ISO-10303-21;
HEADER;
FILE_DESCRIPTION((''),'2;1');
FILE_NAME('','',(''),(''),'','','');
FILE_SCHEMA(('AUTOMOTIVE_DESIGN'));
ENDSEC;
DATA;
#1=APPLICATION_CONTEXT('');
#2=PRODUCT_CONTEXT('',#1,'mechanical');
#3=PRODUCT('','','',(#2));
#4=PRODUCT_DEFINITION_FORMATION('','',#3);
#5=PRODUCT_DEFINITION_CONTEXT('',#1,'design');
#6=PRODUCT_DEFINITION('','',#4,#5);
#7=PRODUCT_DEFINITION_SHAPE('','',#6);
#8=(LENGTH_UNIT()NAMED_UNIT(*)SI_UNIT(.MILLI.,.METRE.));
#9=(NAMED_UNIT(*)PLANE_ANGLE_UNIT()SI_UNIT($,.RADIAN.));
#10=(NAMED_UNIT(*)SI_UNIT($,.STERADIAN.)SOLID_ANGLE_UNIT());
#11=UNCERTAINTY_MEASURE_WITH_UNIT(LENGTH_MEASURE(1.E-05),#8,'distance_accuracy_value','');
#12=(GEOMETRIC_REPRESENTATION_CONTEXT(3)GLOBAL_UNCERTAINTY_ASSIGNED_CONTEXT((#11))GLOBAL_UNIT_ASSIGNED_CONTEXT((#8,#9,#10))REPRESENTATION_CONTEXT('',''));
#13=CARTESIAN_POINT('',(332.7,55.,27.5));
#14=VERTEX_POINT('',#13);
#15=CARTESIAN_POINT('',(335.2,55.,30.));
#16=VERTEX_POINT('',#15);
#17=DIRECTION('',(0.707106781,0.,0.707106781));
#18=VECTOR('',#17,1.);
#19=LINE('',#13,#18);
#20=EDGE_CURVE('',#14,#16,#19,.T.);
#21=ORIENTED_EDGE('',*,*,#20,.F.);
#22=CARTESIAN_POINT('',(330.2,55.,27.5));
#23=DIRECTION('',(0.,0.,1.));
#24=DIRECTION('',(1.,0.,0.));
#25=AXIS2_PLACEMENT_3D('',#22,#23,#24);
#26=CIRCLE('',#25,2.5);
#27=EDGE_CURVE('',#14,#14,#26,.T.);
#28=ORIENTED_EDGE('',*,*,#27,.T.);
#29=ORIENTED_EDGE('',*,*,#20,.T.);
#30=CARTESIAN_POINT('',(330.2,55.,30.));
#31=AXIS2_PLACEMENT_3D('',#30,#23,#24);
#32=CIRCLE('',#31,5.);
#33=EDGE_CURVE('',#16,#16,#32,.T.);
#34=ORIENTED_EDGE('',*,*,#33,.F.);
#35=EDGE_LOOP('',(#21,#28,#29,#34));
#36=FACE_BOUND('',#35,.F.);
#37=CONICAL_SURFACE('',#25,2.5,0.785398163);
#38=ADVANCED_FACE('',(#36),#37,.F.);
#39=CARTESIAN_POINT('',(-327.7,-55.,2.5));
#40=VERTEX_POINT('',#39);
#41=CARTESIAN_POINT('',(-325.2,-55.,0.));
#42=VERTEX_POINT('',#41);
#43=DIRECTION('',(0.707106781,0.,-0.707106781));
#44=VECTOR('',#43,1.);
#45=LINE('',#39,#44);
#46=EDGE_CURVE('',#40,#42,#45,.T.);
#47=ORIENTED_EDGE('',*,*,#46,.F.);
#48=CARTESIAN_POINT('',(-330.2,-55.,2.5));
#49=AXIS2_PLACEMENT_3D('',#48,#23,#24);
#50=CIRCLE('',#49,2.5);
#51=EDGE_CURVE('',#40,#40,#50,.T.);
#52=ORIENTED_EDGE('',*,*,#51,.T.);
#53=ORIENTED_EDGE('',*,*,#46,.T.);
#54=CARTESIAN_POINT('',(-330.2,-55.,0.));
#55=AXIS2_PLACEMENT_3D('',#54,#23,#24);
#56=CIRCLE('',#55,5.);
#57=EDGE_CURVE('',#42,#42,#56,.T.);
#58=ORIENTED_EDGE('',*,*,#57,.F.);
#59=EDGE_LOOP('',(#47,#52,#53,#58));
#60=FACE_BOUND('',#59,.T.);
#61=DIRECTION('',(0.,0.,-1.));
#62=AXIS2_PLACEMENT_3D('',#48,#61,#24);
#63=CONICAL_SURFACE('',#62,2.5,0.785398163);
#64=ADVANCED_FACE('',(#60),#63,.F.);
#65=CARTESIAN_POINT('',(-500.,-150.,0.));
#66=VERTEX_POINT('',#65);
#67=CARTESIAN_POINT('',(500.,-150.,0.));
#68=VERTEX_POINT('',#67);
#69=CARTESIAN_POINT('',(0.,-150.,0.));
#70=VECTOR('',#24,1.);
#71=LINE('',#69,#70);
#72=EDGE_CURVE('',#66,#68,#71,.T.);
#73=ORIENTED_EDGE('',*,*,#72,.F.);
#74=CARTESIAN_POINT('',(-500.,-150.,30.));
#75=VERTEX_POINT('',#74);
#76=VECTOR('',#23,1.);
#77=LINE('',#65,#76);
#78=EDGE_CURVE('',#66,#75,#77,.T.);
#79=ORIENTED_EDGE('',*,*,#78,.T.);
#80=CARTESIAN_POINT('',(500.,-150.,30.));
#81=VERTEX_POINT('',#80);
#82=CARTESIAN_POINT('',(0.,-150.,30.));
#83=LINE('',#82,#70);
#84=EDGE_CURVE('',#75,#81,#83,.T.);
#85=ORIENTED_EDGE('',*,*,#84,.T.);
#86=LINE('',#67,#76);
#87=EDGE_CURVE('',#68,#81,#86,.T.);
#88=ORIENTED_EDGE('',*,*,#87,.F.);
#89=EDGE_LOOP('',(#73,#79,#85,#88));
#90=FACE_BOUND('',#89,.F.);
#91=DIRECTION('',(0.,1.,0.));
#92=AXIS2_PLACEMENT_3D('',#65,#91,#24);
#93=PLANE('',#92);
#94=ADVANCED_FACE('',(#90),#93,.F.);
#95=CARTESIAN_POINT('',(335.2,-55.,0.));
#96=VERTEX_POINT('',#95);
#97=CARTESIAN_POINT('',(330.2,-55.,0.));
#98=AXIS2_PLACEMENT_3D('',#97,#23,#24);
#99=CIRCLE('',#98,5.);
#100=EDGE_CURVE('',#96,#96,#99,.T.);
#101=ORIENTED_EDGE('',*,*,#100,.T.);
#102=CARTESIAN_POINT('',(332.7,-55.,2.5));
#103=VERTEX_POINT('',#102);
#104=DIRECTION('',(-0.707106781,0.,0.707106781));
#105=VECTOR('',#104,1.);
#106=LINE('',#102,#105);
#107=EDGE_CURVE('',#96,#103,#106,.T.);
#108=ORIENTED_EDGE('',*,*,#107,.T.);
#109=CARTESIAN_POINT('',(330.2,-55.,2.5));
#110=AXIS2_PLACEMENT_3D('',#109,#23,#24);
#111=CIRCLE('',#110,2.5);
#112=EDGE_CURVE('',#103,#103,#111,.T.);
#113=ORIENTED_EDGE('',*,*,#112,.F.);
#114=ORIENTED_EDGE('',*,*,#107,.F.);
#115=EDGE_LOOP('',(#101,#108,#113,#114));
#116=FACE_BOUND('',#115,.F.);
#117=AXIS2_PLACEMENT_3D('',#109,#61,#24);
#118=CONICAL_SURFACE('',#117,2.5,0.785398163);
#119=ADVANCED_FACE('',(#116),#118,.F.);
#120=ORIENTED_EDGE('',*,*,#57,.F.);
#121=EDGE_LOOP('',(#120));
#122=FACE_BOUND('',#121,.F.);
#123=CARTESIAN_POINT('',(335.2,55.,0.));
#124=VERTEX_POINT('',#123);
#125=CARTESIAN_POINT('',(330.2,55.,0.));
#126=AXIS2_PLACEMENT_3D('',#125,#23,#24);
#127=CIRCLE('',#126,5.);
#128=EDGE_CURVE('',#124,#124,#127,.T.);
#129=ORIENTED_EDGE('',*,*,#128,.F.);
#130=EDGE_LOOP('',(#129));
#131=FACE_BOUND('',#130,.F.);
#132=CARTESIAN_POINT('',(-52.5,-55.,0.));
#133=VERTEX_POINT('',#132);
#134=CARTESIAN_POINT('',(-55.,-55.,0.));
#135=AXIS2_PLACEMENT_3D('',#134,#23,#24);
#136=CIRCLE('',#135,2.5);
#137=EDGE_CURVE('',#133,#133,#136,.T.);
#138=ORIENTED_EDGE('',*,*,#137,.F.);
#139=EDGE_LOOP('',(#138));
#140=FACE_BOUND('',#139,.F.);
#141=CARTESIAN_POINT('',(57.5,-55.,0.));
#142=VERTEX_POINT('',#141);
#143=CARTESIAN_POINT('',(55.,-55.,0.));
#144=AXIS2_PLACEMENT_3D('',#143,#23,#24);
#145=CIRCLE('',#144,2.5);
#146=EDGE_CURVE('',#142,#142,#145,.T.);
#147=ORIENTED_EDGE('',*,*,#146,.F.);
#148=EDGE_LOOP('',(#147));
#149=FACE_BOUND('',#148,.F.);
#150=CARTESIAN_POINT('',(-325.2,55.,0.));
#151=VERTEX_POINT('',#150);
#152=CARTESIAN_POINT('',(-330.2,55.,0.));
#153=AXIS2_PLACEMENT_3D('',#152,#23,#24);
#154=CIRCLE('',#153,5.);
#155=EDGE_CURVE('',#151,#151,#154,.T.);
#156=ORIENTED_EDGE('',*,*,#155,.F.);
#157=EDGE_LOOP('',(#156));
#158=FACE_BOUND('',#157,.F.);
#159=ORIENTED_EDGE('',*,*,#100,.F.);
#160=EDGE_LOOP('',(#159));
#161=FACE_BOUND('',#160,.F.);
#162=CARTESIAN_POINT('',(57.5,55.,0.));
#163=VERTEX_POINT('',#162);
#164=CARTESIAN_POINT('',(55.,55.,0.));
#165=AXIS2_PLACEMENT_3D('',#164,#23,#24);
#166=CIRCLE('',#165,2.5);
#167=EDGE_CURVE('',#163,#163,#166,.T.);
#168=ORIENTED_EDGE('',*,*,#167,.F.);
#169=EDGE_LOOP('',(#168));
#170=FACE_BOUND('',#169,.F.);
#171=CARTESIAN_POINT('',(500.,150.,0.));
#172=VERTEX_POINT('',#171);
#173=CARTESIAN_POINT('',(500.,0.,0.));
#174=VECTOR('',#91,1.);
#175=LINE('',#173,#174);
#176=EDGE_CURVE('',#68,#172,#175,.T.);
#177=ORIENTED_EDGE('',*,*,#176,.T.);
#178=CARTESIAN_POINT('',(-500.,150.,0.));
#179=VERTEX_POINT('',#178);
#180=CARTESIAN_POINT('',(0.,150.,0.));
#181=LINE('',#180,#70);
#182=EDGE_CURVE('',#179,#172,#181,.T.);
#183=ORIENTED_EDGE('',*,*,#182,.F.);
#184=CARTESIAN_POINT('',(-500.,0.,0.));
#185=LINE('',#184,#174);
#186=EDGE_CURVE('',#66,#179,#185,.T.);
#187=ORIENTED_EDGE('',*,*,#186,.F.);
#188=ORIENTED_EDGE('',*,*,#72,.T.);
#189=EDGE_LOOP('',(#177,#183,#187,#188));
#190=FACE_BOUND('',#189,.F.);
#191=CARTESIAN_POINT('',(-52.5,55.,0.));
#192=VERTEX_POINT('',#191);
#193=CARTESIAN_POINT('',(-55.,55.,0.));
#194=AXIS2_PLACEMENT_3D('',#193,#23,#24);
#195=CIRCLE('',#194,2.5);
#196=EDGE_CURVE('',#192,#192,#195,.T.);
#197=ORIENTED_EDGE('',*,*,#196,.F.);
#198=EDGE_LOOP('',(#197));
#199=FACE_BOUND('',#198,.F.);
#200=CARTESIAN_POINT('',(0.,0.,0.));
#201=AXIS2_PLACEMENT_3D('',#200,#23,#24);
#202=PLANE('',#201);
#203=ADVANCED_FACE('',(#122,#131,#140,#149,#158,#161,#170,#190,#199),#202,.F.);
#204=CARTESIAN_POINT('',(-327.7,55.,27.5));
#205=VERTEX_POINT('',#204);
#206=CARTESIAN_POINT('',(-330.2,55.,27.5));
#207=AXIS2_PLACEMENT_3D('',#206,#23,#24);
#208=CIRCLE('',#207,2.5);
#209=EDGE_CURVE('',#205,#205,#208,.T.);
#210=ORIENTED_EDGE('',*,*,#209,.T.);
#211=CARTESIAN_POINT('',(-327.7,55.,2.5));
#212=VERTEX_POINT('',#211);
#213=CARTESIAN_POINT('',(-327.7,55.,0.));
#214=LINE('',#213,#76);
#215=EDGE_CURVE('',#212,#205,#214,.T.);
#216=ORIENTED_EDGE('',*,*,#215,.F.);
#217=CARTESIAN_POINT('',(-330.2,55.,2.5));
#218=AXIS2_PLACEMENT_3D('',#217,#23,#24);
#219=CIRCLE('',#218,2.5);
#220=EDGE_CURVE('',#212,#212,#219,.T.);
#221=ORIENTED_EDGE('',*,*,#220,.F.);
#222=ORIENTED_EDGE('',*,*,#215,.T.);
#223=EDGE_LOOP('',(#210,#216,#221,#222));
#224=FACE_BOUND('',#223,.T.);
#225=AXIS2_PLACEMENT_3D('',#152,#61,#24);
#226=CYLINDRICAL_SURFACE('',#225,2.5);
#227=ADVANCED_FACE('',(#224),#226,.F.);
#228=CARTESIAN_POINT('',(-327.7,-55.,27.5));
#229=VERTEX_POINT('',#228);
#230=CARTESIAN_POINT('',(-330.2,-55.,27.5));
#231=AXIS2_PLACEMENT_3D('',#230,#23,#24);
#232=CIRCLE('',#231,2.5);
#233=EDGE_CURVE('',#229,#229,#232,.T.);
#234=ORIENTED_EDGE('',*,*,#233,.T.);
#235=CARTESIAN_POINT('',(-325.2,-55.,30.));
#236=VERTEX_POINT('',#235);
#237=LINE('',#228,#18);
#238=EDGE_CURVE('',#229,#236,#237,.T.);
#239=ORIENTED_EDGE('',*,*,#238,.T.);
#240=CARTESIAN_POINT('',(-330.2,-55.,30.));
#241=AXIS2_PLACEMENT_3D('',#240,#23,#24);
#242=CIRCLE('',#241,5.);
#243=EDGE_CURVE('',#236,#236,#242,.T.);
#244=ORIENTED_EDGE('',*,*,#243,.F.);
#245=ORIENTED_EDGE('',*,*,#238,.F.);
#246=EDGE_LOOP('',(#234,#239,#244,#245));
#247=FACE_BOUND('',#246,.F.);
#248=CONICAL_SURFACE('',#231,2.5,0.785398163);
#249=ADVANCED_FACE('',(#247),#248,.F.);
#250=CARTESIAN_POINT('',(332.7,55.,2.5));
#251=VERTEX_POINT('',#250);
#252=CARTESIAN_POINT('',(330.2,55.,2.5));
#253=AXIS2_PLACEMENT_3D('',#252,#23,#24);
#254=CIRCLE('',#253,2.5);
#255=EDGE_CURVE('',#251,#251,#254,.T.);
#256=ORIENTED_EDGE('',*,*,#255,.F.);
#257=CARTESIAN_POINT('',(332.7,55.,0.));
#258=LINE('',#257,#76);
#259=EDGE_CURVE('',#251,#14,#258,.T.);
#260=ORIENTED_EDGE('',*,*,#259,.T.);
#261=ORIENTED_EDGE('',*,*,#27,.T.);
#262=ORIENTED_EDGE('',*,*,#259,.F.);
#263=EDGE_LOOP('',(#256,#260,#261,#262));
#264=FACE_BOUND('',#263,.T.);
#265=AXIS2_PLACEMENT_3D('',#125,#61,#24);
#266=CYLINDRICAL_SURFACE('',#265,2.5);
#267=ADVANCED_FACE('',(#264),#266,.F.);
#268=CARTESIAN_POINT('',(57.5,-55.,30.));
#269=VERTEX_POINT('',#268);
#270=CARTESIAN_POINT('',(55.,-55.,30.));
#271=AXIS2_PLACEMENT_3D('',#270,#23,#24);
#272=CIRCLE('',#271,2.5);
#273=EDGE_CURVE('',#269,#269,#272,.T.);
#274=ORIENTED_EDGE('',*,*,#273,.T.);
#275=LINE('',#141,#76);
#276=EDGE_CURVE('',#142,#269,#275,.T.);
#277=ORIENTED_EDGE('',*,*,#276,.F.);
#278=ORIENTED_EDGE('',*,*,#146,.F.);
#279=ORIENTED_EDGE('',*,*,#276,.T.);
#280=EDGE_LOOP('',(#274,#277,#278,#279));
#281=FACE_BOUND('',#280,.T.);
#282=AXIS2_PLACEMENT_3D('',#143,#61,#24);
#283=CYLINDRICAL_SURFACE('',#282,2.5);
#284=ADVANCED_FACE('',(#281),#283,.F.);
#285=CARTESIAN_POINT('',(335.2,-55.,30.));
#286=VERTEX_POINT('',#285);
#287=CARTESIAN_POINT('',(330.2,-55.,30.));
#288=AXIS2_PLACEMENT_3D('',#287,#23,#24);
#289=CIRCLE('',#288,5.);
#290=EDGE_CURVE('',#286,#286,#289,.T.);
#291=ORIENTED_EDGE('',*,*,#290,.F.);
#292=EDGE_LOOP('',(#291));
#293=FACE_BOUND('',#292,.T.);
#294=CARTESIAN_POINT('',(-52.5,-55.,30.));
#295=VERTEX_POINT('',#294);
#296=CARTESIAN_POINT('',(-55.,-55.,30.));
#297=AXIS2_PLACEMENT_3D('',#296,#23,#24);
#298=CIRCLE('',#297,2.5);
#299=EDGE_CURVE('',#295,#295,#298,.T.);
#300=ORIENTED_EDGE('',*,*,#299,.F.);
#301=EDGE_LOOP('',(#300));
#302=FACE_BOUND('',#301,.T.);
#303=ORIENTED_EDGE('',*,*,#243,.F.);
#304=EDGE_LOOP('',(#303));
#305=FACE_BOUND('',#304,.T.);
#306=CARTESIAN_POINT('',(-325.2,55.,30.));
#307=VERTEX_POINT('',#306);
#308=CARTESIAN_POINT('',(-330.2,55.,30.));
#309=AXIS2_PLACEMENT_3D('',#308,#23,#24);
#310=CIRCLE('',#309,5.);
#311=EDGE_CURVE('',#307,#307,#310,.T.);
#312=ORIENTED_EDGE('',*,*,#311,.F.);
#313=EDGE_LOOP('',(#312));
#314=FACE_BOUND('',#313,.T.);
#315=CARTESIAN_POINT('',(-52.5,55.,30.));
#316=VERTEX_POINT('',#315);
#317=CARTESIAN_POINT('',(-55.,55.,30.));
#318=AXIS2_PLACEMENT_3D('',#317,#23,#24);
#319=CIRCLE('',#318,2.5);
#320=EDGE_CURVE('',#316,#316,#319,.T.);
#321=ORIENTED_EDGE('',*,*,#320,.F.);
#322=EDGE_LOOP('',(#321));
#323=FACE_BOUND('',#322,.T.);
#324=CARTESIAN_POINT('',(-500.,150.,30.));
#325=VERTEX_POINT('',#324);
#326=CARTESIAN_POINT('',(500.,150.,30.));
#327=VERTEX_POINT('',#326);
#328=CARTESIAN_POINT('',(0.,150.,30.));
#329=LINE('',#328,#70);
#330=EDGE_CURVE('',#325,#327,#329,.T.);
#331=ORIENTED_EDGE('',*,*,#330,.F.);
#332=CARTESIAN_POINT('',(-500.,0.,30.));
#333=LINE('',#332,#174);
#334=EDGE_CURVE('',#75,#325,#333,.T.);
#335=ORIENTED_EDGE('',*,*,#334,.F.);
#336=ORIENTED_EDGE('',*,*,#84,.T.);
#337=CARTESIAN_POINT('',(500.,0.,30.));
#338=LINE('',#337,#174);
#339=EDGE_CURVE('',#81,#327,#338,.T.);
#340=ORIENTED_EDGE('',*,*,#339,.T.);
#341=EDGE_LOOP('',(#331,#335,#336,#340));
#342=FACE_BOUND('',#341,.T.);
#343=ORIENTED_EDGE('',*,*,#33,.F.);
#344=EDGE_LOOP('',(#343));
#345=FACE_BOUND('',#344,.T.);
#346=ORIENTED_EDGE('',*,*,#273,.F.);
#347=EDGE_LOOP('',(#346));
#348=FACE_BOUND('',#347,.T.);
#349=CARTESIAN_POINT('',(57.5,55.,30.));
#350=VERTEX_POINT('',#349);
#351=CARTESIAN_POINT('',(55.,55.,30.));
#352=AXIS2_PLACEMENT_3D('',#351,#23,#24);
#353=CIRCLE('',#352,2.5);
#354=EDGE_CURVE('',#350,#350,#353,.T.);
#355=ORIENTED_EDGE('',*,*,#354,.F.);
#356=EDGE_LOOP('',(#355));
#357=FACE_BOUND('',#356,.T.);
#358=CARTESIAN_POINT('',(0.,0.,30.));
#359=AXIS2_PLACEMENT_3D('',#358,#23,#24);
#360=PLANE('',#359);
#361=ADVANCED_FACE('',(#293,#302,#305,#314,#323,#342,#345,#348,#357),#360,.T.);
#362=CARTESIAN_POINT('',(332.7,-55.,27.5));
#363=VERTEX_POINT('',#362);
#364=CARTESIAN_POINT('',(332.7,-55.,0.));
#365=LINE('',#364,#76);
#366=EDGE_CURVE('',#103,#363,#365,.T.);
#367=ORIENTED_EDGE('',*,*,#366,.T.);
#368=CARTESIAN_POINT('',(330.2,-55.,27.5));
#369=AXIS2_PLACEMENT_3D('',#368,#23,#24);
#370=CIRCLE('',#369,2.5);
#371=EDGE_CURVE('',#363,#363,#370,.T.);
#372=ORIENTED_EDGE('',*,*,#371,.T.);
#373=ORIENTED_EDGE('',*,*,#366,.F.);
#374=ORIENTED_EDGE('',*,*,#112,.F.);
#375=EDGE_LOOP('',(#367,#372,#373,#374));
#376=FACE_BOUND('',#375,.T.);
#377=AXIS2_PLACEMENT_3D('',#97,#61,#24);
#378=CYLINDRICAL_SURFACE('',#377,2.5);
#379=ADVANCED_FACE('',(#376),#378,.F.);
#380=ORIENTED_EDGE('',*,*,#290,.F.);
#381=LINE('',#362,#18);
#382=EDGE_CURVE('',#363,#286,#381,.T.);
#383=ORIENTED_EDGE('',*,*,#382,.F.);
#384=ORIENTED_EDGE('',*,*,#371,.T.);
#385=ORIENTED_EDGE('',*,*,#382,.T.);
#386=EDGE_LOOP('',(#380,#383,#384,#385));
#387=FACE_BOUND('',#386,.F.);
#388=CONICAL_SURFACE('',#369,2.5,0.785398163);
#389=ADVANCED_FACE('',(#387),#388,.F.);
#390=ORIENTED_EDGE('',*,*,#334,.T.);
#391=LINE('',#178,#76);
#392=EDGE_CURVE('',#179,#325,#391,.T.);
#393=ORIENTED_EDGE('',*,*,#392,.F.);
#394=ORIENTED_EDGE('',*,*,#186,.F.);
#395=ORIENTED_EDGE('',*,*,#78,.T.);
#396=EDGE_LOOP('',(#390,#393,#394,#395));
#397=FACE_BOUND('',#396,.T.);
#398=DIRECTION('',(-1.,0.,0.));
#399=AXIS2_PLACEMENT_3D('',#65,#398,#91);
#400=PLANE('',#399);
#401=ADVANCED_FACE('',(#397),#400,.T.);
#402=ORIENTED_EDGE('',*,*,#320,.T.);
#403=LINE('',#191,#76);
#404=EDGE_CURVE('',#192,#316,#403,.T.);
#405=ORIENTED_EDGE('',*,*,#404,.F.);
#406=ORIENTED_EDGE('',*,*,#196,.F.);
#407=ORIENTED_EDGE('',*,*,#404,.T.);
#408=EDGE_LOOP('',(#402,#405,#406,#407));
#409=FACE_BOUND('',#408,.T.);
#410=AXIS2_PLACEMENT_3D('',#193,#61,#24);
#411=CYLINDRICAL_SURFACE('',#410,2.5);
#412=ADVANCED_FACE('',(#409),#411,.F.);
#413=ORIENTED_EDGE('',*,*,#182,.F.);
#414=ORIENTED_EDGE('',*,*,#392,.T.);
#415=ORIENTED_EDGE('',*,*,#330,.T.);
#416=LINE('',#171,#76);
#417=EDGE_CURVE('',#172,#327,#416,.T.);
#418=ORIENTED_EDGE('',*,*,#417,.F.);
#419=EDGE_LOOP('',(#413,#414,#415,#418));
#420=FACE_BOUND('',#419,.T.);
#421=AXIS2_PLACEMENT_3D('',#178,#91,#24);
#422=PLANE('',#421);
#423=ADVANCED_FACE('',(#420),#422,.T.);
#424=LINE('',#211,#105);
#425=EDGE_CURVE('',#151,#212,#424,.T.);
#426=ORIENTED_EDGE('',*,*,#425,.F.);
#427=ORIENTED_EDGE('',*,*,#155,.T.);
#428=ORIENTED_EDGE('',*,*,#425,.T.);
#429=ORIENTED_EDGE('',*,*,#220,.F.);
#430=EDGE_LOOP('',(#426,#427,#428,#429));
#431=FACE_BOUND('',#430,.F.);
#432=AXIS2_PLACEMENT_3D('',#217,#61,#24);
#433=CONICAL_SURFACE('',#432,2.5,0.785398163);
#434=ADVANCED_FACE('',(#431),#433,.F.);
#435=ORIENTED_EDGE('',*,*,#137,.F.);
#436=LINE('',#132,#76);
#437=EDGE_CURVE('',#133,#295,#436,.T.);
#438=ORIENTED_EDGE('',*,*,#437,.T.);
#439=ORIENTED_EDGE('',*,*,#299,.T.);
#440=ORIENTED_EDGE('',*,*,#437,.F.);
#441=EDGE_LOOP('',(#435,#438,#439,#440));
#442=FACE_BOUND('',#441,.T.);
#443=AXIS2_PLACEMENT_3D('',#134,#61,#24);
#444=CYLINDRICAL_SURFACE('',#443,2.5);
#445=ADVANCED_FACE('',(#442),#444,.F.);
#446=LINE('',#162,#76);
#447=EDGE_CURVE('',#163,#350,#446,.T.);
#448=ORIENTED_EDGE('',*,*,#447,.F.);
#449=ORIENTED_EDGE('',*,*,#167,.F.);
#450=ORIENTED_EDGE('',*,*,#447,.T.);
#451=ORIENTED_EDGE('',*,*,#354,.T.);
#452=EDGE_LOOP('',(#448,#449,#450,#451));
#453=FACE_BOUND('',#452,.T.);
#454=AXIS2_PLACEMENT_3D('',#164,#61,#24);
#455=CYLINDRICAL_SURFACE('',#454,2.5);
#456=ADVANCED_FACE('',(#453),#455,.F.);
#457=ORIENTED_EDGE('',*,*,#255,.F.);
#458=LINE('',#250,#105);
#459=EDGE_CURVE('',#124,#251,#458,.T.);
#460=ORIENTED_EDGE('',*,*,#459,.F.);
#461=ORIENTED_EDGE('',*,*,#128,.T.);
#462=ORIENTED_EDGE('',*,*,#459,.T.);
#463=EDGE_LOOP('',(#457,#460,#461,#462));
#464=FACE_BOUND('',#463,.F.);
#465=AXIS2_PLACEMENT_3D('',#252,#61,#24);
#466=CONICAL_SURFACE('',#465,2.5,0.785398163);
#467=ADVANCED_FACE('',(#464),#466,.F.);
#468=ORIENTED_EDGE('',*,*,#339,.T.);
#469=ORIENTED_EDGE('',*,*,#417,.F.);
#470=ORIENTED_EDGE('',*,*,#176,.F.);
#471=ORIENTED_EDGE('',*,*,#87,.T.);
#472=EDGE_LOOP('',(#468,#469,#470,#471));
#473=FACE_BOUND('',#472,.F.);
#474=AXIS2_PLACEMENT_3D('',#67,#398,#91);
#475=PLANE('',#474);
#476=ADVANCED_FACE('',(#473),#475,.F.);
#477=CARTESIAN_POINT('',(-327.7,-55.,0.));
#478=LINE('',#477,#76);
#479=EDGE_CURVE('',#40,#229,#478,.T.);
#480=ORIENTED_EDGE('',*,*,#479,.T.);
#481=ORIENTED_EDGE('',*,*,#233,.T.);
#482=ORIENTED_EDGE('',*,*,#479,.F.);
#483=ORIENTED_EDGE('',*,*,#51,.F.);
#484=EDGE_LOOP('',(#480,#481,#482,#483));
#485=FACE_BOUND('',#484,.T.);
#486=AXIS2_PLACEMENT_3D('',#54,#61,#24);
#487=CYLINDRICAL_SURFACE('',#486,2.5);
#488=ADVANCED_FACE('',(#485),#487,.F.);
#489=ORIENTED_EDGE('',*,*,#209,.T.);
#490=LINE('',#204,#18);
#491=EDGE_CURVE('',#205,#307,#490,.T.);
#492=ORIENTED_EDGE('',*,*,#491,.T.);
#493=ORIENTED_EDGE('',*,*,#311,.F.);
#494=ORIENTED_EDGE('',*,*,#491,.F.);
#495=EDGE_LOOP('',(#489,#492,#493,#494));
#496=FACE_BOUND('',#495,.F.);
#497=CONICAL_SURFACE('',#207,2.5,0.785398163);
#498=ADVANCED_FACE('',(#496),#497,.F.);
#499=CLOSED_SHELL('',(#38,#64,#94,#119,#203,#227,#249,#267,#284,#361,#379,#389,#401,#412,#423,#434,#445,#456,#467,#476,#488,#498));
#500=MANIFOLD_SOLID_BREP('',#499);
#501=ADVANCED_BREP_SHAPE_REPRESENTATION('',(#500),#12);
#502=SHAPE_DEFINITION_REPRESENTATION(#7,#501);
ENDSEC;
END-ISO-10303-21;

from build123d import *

# Parameters (mm, degrees)
F0_W     = 1000
F0_H     = 300
F0_R     = 2.5
F1_DEPTH = 30
F2_SIZE  = 2.5
F3_SIZE  = 2.5


with BuildPart() as f1:
    # F0 (on Top) → F1 (new body)
    with BuildSketch(Plane.XY):
        Rectangle(F0_W, F0_H)
        with Locations((-330.2, -55)):
            Circle(F0_R, mode=Mode.SUBTRACT)
        with Locations((-55, -55)):
            Circle(F0_R, mode=Mode.SUBTRACT)
        with Locations((55, -55)):
            Circle(F0_R, mode=Mode.SUBTRACT)
        with Locations((330.2, -55)):
            Circle(F0_R, mode=Mode.SUBTRACT)
        with Locations((-330.2, 55)):
            Circle(F0_R, mode=Mode.SUBTRACT)
        with Locations((-55, 55)):
            Circle(F0_R, mode=Mode.SUBTRACT)
        with Locations((55, 55)):
            Circle(F0_R, mode=Mode.SUBTRACT)
        with Locations((330.2, 55)):
            Circle(F0_R, mode=Mode.SUBTRACT)
    extrude(amount=F1_DEPTH)

    # F2
    f2_edges = [f1.edges().sort_by_distance(p)[0] for p in [
        (-332.7, 55, 30),
        (-332.7, -55, 30),
        (327.7, 55, 30),
        (327.7, -55, 30),
    ]]
    chamfer(f2_edges, length=F2_SIZE)

    # F3
    f3_edges = [f1.edges().sort_by_distance(p)[0] for p in [
        (-332.7, -55, 0),
        (-332.7, 55, 0),
        (327.7, -55, 0),
        (327.7, 55, 0),
    ]]
    chamfer(f3_edges, length=F3_SIZE)


solid = f1.part
